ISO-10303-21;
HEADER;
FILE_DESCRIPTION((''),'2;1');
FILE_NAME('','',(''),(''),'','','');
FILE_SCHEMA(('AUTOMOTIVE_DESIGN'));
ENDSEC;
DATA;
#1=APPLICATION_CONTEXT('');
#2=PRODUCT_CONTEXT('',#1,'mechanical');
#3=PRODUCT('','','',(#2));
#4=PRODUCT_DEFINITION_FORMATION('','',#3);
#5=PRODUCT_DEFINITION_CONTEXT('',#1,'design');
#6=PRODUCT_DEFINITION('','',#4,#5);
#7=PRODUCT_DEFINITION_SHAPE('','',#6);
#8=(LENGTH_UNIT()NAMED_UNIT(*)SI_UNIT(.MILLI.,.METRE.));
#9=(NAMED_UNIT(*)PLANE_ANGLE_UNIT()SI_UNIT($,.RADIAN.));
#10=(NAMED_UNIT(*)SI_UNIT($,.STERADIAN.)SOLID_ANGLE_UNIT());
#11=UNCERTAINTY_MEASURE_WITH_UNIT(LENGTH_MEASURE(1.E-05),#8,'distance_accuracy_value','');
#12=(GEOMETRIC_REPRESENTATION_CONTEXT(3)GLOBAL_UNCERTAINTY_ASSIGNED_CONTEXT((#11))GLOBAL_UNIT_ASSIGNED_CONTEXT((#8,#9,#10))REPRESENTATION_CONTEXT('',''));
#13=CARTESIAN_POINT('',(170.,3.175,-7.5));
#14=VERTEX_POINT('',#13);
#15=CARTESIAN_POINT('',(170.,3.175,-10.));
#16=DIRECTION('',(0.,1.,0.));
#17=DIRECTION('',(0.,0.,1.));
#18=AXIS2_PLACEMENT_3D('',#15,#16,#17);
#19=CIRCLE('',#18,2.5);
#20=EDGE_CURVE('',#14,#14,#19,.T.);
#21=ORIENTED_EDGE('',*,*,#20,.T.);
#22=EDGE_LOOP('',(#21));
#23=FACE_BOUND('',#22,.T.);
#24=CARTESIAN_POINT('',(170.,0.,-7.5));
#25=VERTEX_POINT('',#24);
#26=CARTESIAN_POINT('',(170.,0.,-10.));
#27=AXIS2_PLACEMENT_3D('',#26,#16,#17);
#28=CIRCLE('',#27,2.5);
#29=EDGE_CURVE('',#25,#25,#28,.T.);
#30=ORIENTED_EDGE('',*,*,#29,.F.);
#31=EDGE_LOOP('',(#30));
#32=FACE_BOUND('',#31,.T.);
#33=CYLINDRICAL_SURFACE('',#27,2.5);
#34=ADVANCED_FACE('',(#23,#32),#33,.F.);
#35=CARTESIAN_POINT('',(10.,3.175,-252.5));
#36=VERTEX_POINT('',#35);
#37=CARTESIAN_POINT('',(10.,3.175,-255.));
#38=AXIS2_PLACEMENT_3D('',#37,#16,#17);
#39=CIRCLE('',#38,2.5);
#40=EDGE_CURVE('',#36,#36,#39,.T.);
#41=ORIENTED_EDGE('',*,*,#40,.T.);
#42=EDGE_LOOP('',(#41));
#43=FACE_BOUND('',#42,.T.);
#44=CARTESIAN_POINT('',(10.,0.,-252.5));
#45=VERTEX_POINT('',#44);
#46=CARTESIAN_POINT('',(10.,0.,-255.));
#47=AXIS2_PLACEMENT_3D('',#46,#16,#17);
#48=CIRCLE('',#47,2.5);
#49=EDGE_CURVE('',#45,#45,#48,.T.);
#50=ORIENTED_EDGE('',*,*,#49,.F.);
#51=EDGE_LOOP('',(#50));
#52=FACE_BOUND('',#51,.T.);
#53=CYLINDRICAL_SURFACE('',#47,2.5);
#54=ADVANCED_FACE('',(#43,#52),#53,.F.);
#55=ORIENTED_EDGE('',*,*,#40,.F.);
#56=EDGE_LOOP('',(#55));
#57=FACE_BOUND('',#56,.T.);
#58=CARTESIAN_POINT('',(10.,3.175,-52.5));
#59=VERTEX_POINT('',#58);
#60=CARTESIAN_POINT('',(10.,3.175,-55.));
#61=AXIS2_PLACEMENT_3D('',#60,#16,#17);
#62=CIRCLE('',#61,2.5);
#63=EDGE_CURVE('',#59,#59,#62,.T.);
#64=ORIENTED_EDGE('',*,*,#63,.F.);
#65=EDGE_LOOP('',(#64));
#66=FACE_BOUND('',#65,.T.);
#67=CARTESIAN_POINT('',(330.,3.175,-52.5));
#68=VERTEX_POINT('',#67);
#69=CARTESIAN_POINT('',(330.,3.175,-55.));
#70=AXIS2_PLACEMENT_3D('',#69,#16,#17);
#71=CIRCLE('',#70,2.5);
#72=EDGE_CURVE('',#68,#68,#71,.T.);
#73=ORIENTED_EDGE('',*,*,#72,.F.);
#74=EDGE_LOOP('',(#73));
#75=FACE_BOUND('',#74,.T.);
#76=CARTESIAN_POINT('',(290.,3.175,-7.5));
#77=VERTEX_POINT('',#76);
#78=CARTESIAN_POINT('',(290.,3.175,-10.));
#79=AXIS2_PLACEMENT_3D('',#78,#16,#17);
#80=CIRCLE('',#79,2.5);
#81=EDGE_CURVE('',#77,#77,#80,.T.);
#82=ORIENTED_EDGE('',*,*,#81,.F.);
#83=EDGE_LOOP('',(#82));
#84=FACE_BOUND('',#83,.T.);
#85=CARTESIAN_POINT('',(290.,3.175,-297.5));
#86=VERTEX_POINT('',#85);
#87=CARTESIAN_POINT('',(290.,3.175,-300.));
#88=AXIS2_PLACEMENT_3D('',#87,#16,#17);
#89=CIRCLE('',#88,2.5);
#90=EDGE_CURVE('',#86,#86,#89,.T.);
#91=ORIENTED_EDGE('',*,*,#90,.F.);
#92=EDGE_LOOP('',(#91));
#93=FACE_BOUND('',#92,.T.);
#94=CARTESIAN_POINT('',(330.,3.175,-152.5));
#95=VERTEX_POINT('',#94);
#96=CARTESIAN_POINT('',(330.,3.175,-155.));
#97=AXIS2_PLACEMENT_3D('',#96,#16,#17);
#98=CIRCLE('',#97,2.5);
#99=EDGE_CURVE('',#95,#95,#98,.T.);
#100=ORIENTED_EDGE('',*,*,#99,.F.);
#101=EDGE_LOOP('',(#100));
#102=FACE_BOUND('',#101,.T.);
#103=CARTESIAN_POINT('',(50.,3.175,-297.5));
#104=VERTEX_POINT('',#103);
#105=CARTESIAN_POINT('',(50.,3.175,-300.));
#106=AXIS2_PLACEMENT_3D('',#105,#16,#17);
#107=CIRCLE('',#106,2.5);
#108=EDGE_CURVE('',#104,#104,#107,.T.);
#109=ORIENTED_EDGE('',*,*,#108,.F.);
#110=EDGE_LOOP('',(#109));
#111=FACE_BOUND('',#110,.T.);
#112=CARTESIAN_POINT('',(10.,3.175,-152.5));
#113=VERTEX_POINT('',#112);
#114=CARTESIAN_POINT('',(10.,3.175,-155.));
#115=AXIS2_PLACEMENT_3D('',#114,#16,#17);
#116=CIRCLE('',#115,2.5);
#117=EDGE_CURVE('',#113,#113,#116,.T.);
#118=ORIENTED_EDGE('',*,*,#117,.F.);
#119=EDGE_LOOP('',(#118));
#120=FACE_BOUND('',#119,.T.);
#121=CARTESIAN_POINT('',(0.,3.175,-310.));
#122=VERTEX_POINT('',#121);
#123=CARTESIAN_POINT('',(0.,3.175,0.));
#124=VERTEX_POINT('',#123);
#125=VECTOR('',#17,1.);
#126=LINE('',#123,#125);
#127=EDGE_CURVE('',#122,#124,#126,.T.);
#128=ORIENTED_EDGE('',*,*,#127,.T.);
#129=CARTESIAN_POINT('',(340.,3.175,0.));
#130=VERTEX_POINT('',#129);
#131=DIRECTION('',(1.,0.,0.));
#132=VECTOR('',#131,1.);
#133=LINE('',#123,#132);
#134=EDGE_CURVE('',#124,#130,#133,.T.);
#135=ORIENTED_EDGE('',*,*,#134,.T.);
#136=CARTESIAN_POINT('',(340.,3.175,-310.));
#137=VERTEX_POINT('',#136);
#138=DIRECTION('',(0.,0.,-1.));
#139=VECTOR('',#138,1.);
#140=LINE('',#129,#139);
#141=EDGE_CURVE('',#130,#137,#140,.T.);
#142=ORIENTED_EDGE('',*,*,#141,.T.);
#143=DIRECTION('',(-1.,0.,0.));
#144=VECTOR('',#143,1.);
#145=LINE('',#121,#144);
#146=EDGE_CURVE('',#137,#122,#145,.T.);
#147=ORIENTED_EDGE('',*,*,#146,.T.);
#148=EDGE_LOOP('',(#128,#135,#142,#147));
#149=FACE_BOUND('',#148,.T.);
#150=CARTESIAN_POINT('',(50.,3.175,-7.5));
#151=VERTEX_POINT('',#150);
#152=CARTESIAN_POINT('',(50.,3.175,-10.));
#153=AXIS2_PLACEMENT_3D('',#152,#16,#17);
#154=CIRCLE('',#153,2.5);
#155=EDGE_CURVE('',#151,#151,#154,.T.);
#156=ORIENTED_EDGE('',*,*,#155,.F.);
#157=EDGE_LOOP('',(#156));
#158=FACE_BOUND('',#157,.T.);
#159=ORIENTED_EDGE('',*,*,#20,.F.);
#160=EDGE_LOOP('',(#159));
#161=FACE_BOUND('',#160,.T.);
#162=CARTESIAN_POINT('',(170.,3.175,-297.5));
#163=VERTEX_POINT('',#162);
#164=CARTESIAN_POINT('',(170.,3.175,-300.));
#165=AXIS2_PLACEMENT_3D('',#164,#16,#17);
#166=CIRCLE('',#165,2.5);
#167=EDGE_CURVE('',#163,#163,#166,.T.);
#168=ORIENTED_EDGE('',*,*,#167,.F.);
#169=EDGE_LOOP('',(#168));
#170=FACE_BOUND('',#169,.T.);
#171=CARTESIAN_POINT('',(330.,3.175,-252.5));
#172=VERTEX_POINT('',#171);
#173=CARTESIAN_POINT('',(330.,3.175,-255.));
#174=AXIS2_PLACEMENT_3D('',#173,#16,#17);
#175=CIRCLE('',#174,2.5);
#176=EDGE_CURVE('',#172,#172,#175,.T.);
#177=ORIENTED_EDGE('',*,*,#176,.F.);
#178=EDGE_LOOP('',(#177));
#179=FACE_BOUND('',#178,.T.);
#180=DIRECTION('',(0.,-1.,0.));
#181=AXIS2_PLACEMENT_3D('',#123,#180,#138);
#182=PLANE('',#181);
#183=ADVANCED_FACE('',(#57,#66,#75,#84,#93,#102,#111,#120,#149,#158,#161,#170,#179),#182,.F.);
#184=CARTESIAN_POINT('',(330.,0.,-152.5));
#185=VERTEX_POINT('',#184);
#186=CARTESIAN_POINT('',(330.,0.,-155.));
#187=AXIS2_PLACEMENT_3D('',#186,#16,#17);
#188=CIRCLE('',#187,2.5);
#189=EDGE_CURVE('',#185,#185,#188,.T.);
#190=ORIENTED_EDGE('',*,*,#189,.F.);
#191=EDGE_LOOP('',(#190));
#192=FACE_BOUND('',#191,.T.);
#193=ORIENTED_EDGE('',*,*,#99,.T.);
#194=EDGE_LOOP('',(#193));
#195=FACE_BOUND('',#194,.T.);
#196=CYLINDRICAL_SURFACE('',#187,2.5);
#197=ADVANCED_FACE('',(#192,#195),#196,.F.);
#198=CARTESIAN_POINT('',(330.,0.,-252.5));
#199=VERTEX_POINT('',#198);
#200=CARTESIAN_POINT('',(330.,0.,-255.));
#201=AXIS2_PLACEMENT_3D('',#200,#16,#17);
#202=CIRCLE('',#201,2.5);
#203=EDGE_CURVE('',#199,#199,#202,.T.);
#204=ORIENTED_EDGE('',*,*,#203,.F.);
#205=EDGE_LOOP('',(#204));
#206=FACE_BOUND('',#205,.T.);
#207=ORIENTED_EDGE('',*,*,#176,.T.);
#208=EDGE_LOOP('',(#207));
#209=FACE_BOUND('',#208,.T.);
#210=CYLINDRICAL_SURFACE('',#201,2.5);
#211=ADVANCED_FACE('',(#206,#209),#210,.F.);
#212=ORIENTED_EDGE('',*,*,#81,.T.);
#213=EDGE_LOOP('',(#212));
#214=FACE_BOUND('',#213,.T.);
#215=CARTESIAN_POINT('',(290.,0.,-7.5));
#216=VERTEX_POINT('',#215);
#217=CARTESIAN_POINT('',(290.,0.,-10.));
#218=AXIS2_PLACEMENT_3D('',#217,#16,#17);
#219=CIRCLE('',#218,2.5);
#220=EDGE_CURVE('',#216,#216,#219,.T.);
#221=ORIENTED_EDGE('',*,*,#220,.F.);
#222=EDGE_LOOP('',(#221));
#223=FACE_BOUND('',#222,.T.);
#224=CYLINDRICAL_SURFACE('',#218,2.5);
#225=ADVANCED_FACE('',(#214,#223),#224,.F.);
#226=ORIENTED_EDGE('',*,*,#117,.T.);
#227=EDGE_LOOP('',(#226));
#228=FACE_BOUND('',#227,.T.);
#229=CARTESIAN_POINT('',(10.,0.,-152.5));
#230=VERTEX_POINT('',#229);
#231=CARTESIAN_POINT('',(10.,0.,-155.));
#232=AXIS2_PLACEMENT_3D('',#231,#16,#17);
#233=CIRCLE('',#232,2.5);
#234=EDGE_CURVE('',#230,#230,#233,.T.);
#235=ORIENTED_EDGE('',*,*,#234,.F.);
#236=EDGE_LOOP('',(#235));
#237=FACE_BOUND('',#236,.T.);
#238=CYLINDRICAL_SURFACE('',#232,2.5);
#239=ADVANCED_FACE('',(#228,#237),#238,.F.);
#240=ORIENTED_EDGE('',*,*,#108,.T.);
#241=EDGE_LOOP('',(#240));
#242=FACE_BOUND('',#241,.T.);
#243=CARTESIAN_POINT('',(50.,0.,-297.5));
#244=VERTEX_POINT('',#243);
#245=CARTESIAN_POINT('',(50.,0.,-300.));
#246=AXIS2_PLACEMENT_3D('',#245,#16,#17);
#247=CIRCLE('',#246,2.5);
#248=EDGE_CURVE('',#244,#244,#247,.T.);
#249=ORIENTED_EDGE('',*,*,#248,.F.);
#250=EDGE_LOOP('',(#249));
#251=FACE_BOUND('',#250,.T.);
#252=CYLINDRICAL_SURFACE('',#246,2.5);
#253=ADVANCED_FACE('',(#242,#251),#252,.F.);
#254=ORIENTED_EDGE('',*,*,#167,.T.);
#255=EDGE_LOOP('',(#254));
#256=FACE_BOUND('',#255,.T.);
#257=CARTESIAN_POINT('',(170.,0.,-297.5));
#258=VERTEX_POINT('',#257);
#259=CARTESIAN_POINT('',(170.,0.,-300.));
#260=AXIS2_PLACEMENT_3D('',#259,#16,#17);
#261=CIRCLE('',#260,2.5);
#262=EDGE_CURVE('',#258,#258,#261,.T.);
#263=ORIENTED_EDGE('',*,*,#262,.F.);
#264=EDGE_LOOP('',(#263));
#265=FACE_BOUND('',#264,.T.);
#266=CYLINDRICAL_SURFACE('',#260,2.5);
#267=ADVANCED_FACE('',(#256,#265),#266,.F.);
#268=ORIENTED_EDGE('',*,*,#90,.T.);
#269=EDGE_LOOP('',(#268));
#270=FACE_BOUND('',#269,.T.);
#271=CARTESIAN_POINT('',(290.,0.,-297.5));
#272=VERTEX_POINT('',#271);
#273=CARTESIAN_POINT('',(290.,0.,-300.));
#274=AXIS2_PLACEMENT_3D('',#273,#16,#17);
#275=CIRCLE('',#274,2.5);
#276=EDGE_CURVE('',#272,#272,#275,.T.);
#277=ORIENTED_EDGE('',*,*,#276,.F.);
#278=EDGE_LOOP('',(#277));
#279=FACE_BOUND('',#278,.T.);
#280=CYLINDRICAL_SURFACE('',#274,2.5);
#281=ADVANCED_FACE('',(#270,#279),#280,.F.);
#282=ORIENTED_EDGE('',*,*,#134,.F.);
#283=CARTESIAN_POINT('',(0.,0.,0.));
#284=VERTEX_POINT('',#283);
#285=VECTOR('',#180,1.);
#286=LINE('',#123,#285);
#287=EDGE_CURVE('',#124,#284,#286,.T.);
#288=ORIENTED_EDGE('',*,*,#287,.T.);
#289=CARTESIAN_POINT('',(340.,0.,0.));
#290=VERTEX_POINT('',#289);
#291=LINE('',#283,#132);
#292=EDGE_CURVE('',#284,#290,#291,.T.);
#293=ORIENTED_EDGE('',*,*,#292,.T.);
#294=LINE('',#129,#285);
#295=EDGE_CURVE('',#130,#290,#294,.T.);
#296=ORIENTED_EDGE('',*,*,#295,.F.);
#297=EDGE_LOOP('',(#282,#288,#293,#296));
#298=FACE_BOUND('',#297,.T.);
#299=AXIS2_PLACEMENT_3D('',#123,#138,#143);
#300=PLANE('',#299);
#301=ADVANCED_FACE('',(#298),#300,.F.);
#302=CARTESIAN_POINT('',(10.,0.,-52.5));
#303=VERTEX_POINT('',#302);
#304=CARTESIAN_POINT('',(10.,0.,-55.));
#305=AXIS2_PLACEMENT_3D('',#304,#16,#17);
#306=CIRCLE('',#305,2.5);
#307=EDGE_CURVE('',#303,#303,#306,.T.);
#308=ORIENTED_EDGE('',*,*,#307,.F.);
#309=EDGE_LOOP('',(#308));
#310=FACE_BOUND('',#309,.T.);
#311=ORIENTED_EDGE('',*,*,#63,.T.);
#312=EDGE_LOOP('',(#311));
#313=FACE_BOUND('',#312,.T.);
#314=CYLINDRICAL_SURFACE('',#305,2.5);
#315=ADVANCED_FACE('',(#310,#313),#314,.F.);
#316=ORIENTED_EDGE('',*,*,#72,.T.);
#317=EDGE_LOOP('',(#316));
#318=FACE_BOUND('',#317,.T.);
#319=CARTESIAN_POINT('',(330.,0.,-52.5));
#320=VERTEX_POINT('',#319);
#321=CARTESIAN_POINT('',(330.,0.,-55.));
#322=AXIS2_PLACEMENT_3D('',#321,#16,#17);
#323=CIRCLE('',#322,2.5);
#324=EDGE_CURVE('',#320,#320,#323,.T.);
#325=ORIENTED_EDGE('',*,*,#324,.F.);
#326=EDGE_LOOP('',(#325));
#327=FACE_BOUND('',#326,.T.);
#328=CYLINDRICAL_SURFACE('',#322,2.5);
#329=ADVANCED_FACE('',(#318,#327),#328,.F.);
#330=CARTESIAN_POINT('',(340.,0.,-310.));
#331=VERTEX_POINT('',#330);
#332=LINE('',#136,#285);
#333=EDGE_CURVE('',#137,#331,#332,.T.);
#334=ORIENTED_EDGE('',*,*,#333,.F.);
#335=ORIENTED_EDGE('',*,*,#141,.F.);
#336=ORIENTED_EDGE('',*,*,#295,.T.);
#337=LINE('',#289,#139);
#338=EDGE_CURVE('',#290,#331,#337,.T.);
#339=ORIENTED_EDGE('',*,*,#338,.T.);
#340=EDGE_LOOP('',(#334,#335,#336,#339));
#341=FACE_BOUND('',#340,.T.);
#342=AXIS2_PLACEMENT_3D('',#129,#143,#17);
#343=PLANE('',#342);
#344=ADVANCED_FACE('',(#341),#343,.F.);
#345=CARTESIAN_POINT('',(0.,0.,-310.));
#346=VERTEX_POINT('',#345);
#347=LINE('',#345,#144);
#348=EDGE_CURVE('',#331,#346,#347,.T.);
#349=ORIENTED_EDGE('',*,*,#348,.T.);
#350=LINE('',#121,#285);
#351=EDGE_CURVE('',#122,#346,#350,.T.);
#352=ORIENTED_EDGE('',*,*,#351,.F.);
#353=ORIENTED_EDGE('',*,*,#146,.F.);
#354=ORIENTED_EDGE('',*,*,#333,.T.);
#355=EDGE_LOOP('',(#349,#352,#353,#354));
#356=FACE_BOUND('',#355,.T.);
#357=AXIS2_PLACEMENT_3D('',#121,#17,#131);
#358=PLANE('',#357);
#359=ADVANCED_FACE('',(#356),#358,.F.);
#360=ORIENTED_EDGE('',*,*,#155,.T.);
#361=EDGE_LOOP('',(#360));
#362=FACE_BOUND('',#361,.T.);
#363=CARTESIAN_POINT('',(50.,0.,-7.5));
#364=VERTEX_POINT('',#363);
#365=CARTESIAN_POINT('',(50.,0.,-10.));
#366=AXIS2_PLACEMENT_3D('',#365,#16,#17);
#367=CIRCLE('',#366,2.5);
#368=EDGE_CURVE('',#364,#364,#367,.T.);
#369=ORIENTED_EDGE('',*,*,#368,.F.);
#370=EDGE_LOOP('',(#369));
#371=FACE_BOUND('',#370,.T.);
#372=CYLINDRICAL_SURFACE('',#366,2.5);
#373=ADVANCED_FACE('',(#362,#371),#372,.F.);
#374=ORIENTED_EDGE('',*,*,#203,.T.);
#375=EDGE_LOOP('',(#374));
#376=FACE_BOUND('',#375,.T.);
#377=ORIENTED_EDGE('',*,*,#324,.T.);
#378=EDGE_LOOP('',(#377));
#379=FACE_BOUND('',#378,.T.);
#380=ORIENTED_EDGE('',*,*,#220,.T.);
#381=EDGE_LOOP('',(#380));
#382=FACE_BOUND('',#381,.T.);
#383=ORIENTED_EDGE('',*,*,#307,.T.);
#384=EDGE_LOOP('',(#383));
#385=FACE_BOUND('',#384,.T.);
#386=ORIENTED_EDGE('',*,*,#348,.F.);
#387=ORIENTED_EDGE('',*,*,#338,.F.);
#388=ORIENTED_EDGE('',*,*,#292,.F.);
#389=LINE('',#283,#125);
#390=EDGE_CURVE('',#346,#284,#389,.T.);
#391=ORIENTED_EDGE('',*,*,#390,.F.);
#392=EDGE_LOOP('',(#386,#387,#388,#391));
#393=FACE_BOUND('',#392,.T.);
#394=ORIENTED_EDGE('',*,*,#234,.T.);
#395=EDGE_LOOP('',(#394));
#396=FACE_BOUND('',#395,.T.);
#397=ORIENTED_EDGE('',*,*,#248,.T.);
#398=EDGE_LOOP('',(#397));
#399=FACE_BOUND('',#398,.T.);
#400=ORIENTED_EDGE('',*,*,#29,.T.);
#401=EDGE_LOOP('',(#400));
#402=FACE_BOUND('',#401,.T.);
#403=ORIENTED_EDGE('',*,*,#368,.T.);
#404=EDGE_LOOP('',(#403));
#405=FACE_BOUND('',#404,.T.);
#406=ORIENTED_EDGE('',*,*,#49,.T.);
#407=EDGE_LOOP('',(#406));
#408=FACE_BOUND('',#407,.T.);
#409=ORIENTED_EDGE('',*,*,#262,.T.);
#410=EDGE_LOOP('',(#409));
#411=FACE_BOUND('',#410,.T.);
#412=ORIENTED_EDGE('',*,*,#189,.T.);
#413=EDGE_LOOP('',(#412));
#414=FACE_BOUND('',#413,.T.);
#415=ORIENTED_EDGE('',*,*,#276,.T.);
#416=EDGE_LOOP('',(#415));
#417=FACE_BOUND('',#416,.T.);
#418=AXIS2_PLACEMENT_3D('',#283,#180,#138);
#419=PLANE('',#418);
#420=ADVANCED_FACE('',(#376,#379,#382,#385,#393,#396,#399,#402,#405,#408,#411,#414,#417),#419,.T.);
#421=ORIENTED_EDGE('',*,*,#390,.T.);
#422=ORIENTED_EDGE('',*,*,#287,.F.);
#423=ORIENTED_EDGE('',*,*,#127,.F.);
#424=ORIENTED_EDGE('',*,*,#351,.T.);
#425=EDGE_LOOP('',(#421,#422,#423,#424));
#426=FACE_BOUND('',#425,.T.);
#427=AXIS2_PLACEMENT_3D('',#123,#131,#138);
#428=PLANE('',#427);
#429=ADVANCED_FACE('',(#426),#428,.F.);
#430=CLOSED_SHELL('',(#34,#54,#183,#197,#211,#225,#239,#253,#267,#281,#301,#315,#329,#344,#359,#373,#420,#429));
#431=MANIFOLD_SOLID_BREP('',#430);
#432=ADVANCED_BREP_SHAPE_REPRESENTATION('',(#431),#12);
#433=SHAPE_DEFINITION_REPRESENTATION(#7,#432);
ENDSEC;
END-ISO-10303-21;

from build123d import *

# Parameters (mm, degrees)
SKETCH1_W           = 340
SKETCH1_H           = 310
BOSS_EXTRUDE1_DEPTH = 3.175
SKETCH2_R           = 2.5
CUT_EXTRUDE1_DEPTH  = 3.175


with BuildPart() as part:
    # Sketch1 → Boss-Extrude1 (new body)
    with BuildSketch(Plane(origin=(0, 0, 0), x_dir=(1, 0, 0), z_dir=(0, 1, 0))):
        with Locations((170, 155)):
            Rectangle(SKETCH1_W, SKETCH1_H)
    extrude(amount=BOSS_EXTRUDE1_DEPTH)

    # Sketch2 → Cut-Extrude1 (cut)
    with BuildSketch(Plane(origin=(0, 3.175, 0), x_dir=(1, 0, 0), z_dir=(0, 1, 0))):
        with Locations((10, 155)):
            Circle(SKETCH2_R)
        with Locations((10, 255)):
            Circle(SKETCH2_R)
        with Locations((10, 55)):
            Circle(SKETCH2_R)
        with Locations((50, 10)):
            Circle(SKETCH2_R)
        with Locations((170, 10)):
            Circle(SKETCH2_R)
        with Locations((290, 10)):
            Circle(SKETCH2_R)
        with Locations((330, 55)):
            Circle(SKETCH2_R)
        with Locations((330, 155)):
            Circle(SKETCH2_R)
        with Locations((330, 255)):
            Circle(SKETCH2_R)
        with Locations((290, 300)):
            Circle(SKETCH2_R)
        with Locations((170, 300)):
            Circle(SKETCH2_R)
        with Locations((50, 300)):
            Circle(SKETCH2_R)
    extrude(amount=-CUT_EXTRUDE1_DEPTH, mode=Mode.SUBTRACT)


solid = part.part
